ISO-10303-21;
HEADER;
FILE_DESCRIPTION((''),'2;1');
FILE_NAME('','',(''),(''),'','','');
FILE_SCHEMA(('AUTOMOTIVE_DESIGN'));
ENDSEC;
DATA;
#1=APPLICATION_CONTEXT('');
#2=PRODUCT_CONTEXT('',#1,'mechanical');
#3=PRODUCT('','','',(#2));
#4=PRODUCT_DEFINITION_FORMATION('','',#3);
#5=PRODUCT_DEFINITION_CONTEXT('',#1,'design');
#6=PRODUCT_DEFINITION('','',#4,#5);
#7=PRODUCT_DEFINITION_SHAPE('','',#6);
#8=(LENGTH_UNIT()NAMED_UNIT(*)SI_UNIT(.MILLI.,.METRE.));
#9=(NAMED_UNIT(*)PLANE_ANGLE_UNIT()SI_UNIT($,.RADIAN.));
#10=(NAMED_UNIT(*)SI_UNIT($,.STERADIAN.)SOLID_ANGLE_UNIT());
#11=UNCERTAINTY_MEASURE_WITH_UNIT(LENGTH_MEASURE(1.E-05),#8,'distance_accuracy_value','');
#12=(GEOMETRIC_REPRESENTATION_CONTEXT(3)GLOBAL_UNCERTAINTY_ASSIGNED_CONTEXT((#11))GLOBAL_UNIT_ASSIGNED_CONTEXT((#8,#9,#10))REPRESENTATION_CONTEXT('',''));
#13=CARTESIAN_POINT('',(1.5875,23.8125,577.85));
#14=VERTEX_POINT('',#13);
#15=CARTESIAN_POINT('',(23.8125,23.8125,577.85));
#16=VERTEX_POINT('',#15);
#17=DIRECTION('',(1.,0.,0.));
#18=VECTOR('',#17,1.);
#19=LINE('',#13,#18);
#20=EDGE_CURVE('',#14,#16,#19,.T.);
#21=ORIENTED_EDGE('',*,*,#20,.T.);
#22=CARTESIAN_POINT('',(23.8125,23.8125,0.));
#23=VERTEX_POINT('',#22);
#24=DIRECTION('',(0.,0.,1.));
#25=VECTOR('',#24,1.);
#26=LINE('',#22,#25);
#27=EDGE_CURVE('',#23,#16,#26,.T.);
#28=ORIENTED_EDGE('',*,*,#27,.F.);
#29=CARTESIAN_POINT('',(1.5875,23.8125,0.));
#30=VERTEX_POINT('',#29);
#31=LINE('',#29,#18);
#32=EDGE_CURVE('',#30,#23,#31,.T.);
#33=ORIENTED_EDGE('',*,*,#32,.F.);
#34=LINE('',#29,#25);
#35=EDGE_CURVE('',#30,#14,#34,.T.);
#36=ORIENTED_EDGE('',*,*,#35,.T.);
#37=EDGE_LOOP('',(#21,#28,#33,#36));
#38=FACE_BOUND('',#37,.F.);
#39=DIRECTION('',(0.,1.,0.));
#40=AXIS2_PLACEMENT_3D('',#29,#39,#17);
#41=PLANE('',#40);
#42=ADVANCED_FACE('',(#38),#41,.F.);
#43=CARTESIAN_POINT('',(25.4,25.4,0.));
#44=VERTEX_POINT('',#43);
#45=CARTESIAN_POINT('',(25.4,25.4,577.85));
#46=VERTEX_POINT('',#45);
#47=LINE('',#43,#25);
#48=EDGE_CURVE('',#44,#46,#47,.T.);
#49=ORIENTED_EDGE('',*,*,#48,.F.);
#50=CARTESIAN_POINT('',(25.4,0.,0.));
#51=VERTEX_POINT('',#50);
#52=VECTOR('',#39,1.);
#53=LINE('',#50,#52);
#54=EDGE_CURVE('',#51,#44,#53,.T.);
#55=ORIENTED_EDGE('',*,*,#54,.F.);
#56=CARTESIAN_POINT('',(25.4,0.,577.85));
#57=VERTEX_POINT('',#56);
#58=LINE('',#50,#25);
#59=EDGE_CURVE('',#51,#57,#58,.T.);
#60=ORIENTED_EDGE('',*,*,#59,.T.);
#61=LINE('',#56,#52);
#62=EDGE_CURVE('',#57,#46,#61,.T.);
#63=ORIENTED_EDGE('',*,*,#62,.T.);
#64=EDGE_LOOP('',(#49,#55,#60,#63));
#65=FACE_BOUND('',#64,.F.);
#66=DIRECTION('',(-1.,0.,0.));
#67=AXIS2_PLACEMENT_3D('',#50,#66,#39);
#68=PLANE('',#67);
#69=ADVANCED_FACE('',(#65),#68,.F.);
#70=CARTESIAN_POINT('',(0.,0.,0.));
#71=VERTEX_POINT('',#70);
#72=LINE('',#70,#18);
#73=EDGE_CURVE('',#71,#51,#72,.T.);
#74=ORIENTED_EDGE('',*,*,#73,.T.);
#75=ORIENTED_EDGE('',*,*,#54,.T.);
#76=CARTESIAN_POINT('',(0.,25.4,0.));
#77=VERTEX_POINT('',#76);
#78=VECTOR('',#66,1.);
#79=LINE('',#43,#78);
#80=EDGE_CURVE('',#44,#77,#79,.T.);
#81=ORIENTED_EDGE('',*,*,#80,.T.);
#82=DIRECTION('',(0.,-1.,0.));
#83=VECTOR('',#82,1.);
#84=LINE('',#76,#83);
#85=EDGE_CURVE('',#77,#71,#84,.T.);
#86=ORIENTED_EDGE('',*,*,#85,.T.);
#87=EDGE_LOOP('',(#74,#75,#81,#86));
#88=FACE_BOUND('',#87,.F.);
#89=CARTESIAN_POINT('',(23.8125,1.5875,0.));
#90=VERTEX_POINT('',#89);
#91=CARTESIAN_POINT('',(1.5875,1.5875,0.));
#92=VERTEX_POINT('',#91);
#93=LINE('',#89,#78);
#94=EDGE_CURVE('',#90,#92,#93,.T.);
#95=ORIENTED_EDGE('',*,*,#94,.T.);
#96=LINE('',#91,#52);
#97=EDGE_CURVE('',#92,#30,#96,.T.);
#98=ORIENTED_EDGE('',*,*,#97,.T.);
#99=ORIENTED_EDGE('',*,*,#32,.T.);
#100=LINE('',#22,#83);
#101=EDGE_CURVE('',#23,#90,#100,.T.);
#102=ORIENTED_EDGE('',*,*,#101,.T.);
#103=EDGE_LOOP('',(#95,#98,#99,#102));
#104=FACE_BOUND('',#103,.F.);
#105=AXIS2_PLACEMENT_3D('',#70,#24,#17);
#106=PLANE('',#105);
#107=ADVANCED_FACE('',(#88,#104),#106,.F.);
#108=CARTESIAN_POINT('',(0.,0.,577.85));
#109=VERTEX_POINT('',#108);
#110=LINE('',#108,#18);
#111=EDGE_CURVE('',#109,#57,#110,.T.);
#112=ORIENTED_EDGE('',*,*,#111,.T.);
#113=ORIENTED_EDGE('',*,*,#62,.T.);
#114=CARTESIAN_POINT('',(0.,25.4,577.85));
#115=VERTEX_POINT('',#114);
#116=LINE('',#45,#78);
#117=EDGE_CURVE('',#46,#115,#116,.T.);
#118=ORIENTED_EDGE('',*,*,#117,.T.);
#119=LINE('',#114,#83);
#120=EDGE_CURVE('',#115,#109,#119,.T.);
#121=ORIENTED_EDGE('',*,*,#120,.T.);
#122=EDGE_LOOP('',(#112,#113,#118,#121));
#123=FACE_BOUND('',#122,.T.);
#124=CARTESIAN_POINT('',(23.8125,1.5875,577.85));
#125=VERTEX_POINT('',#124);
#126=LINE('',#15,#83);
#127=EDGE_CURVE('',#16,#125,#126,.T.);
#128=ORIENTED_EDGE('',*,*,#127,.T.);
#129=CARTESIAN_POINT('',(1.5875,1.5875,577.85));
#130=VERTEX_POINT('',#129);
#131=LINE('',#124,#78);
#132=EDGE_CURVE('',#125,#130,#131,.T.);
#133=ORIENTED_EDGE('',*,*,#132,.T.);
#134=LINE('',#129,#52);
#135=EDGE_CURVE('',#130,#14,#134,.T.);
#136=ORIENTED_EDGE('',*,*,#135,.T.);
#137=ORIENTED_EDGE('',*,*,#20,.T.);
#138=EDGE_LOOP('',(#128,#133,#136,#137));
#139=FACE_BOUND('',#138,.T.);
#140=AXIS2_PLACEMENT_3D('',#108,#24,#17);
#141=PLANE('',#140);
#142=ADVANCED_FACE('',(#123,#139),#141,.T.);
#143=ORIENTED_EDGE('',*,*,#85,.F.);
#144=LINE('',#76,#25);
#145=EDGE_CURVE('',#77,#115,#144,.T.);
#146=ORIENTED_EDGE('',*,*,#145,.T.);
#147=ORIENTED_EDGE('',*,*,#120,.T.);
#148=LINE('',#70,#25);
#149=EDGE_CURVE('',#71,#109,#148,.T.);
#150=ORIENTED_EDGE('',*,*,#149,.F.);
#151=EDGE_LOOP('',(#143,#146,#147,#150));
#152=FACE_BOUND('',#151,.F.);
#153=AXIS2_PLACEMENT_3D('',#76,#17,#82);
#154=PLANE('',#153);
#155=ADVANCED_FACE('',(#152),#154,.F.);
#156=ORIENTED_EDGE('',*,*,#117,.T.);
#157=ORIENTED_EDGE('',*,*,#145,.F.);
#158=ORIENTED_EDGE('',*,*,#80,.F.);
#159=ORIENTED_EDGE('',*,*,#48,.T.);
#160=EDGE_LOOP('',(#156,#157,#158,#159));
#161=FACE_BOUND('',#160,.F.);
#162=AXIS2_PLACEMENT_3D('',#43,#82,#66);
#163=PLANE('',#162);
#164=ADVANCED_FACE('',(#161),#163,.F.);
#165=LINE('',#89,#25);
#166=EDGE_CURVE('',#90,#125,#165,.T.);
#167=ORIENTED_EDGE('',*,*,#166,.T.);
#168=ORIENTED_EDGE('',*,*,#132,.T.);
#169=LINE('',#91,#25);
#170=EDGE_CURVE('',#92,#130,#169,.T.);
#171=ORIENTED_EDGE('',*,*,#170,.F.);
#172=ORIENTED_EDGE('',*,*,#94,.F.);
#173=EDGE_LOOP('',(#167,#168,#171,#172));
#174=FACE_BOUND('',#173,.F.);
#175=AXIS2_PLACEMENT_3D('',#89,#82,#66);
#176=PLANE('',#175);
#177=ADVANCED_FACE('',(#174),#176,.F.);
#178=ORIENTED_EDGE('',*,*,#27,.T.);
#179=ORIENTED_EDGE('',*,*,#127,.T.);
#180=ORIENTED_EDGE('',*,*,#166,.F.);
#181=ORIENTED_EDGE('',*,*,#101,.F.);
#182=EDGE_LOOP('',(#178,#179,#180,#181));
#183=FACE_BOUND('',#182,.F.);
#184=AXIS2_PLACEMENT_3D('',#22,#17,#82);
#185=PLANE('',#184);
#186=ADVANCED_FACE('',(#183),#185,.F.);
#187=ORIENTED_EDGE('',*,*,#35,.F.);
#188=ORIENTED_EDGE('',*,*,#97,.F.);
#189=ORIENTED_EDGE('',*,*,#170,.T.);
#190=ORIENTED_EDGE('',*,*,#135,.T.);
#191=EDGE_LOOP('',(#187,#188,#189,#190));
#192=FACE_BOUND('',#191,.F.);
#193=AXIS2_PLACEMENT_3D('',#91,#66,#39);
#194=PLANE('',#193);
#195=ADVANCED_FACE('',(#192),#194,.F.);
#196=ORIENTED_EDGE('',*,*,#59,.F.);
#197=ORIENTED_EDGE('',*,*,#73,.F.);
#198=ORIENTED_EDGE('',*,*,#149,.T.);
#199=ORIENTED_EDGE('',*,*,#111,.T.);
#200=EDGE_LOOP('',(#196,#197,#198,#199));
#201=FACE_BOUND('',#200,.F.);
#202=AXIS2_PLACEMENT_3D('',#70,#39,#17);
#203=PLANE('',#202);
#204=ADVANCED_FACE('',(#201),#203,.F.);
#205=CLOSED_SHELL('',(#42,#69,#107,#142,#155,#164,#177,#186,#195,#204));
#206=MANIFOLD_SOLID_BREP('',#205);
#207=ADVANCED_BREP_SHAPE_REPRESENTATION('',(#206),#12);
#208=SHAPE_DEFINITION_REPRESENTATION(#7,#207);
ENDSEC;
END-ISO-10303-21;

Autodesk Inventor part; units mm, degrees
ref_plane "YZ Plane" through (0, 0, 0) normal (1, 0, 0) x (0, 1, 0)
ref_plane "XZ Plane" through (0, 0, 0) normal (0, 1, 0) x (-1, 0, 0)
ref_plane "XY Plane" through (0, 0, 0) normal (0, 0, 1) x (1, 0, 0)
sketch "Sketch1" plane through (0, 0, 0) normal (0, 0, 1) x (1, 0, 0)
  line L0 (0, 0) -> (25.4, 0)
  line L1 (25.4, 0) -> (25.4, 25.4)
  line L2 (25.4, 25.4) -> (0, 25.4)
  line L3 (0, 25.4) -> (0, 0)
  line L4 (1.5875, 23.8125) -> (23.8125, 23.8125)
  line L5 (23.8125, 23.8125) -> (23.8125, 1.5875)
  line L6 (23.8125, 1.5875) -> (1.5875, 1.5875)
  line L7 (1.5875, 1.5875) -> (1.5875, 23.8125)
  dimension "d0" = 25.4
  dimension "d1" = 25.4
  dimension "d2" = 1.5875
extrude "Extrusion1" add sketch "Sketch1" along normal blind 577.85
properties part number "End Beam" material "Aluminum 6061"
